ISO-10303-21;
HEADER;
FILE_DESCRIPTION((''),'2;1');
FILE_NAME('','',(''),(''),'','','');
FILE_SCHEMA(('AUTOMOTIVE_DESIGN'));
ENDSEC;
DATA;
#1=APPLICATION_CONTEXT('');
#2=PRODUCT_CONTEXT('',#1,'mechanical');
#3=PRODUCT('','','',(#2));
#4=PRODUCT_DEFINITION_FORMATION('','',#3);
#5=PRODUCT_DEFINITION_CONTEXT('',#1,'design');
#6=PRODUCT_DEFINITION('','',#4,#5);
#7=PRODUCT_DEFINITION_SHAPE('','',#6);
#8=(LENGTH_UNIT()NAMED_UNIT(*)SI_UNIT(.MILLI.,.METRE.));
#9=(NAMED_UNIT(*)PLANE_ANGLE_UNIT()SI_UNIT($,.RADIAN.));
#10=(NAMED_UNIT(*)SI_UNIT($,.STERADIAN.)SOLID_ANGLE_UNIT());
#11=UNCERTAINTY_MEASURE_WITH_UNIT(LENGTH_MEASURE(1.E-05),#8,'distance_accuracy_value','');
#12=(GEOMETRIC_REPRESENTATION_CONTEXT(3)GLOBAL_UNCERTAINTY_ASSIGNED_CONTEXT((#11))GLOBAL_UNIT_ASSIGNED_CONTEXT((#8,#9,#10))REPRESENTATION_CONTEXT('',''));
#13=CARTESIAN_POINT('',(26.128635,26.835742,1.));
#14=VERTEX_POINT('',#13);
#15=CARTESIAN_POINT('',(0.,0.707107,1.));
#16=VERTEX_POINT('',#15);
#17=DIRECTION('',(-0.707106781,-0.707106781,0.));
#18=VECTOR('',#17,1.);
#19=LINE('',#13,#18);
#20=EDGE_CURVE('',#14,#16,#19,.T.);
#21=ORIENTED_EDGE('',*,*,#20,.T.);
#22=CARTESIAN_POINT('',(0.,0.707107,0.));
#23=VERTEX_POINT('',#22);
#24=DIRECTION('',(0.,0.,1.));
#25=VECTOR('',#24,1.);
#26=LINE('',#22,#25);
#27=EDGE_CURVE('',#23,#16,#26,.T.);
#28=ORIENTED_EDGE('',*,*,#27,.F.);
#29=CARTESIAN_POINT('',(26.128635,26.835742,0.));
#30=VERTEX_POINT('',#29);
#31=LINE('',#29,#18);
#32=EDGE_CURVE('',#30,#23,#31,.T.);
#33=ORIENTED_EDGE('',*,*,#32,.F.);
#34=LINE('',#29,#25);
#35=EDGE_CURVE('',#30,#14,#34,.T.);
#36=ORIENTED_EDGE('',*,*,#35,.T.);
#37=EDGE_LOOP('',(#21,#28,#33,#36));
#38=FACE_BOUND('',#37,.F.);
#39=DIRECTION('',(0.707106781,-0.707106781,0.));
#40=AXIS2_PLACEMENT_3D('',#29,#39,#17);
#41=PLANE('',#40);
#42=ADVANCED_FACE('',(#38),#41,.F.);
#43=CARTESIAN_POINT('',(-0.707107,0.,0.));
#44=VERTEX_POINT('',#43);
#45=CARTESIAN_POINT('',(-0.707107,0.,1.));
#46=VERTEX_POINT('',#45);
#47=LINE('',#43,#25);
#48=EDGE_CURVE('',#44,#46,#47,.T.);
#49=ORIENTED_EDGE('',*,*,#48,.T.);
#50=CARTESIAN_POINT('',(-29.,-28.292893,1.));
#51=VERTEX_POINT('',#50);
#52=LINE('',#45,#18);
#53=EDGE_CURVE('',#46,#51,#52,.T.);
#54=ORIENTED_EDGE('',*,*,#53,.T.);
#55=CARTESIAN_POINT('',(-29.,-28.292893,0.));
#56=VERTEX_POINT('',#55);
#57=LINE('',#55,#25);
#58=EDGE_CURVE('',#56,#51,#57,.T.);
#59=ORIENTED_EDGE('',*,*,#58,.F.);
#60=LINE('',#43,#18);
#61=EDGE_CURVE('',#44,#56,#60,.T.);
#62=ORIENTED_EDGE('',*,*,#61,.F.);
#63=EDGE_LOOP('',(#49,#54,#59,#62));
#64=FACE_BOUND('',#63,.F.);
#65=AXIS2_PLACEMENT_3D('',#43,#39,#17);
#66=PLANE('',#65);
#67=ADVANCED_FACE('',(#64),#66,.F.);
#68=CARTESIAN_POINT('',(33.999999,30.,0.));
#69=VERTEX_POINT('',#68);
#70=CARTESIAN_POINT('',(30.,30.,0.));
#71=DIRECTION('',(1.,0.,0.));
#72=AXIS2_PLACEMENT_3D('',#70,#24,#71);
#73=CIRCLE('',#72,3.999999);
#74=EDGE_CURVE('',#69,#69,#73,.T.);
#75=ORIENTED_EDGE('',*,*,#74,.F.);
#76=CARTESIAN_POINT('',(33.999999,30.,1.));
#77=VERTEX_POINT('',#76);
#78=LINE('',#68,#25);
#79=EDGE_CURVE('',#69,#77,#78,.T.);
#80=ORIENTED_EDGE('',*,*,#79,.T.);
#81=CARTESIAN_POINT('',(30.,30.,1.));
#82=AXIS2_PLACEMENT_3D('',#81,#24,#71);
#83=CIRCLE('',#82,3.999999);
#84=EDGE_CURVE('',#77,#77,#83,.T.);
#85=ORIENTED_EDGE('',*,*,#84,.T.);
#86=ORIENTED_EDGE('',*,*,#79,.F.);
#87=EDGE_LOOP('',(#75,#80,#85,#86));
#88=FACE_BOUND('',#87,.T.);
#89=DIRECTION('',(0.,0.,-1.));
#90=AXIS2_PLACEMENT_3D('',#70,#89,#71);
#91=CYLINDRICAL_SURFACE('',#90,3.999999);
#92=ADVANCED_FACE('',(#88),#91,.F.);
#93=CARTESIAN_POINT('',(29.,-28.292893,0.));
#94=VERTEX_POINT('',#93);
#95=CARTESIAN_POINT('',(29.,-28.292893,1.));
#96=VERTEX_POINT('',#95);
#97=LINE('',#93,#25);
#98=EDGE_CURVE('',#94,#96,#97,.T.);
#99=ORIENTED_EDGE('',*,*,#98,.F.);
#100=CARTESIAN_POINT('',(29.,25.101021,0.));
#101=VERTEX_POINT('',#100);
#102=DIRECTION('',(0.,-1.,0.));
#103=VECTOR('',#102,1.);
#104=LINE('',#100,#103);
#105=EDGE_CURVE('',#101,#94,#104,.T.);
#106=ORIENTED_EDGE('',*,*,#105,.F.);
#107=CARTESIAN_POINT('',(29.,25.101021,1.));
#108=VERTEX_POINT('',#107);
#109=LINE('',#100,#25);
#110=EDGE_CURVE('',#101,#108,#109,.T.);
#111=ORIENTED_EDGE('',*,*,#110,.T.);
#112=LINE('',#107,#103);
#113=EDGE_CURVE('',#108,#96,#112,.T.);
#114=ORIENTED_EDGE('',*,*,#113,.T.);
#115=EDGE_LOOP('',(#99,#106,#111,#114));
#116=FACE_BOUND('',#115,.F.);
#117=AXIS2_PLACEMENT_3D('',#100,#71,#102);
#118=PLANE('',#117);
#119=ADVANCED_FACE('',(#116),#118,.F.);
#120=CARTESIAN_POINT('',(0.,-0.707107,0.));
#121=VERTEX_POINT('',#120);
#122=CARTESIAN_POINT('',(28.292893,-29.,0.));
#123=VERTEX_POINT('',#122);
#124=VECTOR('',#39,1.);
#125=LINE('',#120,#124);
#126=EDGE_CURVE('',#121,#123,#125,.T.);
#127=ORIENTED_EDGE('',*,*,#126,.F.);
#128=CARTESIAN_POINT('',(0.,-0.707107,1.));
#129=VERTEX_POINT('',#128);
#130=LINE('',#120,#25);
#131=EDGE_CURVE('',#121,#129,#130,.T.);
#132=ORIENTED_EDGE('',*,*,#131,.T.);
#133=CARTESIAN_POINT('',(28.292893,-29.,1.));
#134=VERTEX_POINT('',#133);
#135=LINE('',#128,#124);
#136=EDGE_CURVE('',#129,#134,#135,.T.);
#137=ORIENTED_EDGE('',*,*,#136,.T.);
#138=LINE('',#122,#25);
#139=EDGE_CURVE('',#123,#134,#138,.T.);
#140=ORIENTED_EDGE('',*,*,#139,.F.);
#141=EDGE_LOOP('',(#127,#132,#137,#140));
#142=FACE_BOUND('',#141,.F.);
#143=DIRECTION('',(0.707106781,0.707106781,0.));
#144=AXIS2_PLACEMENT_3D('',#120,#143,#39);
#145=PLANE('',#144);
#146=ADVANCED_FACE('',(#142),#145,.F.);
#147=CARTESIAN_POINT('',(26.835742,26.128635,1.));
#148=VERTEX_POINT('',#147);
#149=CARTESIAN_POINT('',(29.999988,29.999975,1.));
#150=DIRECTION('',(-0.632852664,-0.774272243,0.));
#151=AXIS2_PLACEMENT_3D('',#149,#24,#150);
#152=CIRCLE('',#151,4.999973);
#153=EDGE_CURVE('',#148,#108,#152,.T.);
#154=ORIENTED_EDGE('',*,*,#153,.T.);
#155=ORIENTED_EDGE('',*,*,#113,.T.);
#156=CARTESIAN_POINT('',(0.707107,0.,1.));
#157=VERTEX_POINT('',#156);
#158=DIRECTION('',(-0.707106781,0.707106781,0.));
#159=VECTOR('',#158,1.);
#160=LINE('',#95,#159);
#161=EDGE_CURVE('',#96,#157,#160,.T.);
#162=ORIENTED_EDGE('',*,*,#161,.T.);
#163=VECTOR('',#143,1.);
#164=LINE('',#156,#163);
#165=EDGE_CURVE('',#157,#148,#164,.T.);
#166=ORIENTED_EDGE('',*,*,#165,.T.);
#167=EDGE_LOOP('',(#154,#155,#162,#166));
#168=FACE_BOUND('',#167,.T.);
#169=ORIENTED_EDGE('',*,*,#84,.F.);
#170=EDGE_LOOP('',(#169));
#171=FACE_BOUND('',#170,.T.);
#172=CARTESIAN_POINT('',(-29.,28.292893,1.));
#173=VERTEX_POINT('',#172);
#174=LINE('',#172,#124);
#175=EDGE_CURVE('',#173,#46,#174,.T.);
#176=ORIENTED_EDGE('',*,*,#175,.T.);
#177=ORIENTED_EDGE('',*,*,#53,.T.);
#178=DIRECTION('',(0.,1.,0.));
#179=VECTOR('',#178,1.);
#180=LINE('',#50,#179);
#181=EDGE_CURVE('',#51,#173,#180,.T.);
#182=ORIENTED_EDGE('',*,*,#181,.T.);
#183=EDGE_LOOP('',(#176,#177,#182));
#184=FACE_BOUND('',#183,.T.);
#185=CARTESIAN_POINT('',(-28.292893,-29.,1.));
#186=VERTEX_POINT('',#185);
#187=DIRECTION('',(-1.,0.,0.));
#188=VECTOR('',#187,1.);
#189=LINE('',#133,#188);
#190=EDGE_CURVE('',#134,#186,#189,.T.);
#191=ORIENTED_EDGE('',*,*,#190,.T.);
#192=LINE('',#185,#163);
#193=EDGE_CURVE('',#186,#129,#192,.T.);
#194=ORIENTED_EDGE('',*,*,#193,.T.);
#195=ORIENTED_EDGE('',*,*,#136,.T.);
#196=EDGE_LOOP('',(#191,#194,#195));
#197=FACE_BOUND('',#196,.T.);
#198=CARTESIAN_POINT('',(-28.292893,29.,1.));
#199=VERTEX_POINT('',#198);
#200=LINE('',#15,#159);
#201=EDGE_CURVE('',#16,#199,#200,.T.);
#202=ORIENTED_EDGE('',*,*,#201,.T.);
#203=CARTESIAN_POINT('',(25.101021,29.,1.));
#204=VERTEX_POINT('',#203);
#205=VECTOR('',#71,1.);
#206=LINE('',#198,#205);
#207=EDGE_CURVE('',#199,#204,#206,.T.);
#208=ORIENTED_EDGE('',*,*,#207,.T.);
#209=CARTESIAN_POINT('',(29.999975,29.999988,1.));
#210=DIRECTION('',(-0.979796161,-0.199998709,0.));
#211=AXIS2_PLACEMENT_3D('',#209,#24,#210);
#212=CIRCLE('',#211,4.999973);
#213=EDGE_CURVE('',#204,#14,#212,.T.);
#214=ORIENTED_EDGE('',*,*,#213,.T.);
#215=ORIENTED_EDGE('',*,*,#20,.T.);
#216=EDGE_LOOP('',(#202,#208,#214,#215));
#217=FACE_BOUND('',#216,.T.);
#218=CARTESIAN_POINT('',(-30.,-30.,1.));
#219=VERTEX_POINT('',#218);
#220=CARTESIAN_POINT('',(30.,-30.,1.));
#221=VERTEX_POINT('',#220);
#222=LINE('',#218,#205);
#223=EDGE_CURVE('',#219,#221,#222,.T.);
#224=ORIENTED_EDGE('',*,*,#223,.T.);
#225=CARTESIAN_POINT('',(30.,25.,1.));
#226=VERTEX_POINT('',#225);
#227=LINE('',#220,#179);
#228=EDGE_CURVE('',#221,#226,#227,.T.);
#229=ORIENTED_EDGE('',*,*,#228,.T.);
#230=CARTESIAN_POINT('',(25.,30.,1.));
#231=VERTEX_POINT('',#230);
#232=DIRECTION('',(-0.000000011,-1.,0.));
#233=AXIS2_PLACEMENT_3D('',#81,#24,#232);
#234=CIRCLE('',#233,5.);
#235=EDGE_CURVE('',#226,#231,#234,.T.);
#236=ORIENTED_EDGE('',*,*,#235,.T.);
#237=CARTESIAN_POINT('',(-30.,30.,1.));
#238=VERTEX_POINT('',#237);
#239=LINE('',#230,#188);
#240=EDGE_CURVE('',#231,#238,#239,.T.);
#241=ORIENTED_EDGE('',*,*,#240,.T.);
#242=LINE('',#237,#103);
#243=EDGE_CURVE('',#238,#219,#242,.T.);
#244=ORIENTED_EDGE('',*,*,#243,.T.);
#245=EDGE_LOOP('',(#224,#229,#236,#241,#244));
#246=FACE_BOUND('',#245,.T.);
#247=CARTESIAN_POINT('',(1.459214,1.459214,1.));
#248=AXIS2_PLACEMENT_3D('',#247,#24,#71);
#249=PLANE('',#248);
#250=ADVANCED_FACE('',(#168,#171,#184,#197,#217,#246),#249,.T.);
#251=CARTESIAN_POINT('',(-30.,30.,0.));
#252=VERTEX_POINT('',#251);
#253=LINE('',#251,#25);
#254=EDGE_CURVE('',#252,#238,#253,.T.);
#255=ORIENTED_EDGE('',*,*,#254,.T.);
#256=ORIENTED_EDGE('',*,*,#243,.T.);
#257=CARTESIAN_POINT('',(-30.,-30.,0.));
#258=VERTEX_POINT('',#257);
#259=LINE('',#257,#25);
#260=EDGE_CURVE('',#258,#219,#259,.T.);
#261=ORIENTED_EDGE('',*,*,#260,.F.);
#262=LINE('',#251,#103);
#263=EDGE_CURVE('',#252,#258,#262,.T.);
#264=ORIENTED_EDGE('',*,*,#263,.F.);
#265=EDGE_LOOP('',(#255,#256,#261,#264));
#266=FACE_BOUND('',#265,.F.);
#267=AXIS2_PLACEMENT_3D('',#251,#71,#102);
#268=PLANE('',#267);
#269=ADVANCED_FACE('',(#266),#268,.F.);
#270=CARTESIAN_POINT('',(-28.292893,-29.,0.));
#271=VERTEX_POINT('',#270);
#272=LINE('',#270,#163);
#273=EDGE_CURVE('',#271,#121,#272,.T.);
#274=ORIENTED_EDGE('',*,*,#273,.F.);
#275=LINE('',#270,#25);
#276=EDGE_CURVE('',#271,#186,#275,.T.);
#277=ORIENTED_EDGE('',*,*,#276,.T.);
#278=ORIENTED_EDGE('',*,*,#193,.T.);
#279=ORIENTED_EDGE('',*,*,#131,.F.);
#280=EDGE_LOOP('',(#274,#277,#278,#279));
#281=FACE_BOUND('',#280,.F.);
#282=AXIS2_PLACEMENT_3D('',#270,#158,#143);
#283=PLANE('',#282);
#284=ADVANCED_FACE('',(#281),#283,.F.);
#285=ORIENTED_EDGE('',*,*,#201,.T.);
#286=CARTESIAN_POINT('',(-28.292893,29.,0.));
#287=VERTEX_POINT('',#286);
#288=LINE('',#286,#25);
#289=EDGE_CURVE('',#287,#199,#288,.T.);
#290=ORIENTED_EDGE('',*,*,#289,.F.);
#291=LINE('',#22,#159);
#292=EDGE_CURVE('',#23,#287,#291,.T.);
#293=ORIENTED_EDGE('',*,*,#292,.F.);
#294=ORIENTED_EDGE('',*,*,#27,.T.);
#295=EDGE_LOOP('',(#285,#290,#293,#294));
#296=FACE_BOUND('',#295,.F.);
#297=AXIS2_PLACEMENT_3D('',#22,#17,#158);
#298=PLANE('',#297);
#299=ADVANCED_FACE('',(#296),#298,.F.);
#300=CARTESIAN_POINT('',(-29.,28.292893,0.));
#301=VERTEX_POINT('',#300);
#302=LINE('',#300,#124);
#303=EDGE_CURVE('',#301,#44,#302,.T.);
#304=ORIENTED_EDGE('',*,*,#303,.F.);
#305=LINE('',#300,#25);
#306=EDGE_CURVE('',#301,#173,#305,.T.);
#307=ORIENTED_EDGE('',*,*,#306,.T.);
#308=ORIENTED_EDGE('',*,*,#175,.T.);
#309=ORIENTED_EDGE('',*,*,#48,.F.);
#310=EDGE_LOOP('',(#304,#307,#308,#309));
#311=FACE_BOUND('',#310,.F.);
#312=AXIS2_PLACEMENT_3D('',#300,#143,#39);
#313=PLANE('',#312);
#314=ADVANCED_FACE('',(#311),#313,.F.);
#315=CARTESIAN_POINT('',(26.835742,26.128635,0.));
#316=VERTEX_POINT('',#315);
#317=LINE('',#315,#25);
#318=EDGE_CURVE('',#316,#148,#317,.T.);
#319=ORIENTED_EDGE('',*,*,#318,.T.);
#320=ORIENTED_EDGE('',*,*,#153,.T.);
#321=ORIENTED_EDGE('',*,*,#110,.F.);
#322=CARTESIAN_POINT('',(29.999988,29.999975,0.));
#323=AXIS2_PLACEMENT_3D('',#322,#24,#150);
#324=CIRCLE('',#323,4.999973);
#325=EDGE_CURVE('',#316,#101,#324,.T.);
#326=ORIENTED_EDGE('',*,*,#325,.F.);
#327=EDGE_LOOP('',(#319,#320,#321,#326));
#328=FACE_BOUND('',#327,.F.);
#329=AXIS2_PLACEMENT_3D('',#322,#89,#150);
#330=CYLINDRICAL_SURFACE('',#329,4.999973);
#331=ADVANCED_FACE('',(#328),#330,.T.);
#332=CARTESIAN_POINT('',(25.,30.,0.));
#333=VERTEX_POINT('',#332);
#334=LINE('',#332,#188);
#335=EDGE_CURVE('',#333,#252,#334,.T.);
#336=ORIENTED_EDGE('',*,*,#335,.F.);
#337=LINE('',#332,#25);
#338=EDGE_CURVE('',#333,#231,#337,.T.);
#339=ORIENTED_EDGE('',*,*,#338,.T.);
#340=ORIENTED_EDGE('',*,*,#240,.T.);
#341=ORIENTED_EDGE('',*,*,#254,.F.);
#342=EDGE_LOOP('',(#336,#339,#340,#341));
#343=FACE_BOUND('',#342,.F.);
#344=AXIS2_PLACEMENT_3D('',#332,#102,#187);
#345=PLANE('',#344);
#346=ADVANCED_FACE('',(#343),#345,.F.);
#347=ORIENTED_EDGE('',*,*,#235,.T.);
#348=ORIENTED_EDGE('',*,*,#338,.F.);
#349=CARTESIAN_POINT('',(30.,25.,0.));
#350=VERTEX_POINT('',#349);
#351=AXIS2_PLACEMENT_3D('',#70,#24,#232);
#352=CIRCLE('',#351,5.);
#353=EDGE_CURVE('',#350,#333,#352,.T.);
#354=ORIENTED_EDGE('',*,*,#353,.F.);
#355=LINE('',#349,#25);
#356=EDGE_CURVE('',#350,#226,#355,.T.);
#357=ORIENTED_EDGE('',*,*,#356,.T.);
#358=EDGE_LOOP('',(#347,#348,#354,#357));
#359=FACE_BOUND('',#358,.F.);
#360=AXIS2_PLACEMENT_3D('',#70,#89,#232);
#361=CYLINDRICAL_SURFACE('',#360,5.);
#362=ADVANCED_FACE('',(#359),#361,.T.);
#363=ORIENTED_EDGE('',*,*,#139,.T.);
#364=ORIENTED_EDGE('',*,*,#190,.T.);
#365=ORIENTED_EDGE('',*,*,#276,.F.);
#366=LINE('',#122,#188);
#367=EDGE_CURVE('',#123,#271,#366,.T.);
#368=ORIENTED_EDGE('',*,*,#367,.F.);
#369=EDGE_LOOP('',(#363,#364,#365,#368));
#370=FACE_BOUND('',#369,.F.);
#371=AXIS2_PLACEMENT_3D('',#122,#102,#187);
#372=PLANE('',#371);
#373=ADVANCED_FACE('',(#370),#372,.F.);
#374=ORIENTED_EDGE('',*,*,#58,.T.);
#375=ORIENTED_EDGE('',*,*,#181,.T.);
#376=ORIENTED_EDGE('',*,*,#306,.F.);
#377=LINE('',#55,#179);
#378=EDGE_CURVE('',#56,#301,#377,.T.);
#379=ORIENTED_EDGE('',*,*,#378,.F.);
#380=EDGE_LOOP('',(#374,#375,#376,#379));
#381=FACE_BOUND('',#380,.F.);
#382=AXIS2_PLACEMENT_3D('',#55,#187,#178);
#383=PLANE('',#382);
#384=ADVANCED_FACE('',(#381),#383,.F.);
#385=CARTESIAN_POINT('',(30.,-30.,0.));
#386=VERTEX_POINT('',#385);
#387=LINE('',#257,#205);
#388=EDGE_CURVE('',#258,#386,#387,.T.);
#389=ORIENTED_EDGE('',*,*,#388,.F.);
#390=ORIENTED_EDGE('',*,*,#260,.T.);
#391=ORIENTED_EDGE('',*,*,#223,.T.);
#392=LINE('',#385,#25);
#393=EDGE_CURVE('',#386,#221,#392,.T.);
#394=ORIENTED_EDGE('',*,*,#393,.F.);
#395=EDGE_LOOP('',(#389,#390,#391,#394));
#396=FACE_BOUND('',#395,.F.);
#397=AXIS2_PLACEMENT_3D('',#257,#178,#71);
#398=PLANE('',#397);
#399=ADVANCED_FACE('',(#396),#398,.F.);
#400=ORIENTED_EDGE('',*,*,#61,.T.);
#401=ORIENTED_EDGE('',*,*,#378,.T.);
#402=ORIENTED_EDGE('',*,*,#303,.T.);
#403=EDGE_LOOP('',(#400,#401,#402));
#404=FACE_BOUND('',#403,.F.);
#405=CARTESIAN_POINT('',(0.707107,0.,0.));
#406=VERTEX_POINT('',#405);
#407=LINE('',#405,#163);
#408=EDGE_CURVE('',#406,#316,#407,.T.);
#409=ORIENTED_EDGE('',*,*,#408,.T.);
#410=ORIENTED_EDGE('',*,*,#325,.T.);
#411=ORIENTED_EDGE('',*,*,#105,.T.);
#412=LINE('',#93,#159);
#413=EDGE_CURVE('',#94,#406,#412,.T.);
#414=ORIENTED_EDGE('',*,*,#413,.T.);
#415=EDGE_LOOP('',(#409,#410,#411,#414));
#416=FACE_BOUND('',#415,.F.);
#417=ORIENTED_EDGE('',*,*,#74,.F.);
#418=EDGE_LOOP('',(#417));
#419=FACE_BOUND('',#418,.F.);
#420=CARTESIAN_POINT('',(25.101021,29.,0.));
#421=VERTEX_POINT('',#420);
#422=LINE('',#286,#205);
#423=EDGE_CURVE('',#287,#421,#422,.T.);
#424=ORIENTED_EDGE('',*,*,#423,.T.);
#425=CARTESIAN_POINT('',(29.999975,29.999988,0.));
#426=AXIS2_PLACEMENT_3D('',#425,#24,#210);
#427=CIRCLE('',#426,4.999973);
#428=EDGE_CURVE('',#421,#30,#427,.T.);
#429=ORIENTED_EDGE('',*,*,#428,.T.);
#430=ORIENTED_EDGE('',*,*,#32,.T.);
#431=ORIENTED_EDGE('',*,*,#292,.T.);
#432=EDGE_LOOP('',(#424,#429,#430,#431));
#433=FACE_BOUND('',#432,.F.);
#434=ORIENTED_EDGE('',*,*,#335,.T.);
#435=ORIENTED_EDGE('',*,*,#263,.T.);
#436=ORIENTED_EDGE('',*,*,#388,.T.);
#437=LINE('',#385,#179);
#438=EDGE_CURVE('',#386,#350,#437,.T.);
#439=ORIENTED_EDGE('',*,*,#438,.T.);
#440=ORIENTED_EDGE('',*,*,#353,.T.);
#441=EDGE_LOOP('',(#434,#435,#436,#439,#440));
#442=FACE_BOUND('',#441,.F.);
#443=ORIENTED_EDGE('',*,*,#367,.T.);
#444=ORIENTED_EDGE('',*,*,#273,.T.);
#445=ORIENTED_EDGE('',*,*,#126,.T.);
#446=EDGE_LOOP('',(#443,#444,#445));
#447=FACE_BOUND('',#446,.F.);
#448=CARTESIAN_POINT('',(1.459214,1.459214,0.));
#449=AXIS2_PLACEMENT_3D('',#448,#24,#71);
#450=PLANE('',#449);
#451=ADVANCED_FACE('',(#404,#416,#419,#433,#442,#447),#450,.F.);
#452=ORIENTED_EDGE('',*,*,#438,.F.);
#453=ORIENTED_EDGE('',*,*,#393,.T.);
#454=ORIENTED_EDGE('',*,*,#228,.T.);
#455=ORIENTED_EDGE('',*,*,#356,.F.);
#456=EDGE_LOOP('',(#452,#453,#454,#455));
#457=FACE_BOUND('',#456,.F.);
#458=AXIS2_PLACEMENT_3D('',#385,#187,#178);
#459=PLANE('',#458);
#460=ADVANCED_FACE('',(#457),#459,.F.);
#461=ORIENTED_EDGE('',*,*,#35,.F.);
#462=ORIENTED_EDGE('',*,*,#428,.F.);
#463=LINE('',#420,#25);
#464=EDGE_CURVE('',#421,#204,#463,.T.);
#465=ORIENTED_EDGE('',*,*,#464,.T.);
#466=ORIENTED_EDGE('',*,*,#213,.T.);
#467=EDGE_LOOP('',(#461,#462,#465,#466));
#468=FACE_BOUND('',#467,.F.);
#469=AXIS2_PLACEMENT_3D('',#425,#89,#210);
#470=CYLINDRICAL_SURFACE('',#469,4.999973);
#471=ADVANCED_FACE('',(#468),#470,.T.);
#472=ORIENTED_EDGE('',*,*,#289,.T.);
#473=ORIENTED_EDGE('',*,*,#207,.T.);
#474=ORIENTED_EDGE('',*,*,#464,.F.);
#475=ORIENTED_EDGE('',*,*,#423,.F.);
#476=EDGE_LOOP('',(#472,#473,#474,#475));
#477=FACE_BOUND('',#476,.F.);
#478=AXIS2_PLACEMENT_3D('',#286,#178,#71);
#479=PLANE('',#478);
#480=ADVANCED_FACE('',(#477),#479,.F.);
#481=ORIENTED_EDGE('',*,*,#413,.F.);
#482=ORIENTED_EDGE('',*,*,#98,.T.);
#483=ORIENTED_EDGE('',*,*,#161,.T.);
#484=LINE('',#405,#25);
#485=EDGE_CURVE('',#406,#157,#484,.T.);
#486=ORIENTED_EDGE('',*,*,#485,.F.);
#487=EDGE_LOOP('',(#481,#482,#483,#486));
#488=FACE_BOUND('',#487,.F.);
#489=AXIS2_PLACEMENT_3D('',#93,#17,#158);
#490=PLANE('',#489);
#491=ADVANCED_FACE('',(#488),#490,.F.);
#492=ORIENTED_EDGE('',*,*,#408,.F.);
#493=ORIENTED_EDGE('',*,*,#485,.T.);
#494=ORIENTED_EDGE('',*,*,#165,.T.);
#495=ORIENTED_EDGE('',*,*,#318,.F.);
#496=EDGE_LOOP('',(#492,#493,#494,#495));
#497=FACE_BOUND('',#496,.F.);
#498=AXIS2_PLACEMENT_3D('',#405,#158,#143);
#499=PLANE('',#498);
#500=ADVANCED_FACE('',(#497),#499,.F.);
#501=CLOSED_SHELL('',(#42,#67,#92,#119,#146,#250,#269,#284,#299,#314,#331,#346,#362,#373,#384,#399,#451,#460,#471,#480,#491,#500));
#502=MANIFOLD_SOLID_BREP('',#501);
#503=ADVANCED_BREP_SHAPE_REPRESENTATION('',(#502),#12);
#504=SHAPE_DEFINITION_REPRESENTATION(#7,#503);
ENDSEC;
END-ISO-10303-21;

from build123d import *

# Parameters (mm, degrees)
F0_R     = 3.999999
F1_DEPTH = 1


with BuildPart() as f1:
    # F0 (on Top) → F1 (new body)
    with BuildSketch(Plane.XY):
        with BuildLine():
            Line((25, 30), (-30, 30))
            Line((-30, 30), (-30, -30))
            Line((-30, -30), (30, -30))
            Line((30, -30), (30, 25))
            ThreePointArc((30, 25), (33.535534, 33.535534), (25, 30))
        make_face()
        Polygon((28.292893, -29), (-28.292893, -29), (0, -0.707107), align=None, mode=Mode.SUBTRACT)
        Polygon((-29, -28.292893), (-29, 28.292893), (-0.707107, 0), align=None, mode=Mode.SUBTRACT)
        with BuildLine():
            Line((0.707107, 0), (26.835742, 26.128635))
            ThreePointArc((26.835742, 26.128635), (27.855411, 25.483282), (29, 25.101021))
            Line((29, 25.101021), (29, -28.292893))
            Line((29, -28.292893), (0.707107, 0))
        make_face(mode=Mode.SUBTRACT)
        with BuildLine():
            Line((0, 0.707107), (-28.292893, 29))
            Line((-28.292893, 29), (25.101021, 29))
            ThreePointArc((25.101021, 29), (25.483282, 27.855411), (26.128635, 26.835742))
            Line((26.128635, 26.835742), (0, 0.707107))
        make_face(mode=Mode.SUBTRACT)
        with Locations((30, 30)):
            Circle(F0_R, mode=Mode.SUBTRACT)
    extrude(amount=F1_DEPTH)


solid = f1.part
